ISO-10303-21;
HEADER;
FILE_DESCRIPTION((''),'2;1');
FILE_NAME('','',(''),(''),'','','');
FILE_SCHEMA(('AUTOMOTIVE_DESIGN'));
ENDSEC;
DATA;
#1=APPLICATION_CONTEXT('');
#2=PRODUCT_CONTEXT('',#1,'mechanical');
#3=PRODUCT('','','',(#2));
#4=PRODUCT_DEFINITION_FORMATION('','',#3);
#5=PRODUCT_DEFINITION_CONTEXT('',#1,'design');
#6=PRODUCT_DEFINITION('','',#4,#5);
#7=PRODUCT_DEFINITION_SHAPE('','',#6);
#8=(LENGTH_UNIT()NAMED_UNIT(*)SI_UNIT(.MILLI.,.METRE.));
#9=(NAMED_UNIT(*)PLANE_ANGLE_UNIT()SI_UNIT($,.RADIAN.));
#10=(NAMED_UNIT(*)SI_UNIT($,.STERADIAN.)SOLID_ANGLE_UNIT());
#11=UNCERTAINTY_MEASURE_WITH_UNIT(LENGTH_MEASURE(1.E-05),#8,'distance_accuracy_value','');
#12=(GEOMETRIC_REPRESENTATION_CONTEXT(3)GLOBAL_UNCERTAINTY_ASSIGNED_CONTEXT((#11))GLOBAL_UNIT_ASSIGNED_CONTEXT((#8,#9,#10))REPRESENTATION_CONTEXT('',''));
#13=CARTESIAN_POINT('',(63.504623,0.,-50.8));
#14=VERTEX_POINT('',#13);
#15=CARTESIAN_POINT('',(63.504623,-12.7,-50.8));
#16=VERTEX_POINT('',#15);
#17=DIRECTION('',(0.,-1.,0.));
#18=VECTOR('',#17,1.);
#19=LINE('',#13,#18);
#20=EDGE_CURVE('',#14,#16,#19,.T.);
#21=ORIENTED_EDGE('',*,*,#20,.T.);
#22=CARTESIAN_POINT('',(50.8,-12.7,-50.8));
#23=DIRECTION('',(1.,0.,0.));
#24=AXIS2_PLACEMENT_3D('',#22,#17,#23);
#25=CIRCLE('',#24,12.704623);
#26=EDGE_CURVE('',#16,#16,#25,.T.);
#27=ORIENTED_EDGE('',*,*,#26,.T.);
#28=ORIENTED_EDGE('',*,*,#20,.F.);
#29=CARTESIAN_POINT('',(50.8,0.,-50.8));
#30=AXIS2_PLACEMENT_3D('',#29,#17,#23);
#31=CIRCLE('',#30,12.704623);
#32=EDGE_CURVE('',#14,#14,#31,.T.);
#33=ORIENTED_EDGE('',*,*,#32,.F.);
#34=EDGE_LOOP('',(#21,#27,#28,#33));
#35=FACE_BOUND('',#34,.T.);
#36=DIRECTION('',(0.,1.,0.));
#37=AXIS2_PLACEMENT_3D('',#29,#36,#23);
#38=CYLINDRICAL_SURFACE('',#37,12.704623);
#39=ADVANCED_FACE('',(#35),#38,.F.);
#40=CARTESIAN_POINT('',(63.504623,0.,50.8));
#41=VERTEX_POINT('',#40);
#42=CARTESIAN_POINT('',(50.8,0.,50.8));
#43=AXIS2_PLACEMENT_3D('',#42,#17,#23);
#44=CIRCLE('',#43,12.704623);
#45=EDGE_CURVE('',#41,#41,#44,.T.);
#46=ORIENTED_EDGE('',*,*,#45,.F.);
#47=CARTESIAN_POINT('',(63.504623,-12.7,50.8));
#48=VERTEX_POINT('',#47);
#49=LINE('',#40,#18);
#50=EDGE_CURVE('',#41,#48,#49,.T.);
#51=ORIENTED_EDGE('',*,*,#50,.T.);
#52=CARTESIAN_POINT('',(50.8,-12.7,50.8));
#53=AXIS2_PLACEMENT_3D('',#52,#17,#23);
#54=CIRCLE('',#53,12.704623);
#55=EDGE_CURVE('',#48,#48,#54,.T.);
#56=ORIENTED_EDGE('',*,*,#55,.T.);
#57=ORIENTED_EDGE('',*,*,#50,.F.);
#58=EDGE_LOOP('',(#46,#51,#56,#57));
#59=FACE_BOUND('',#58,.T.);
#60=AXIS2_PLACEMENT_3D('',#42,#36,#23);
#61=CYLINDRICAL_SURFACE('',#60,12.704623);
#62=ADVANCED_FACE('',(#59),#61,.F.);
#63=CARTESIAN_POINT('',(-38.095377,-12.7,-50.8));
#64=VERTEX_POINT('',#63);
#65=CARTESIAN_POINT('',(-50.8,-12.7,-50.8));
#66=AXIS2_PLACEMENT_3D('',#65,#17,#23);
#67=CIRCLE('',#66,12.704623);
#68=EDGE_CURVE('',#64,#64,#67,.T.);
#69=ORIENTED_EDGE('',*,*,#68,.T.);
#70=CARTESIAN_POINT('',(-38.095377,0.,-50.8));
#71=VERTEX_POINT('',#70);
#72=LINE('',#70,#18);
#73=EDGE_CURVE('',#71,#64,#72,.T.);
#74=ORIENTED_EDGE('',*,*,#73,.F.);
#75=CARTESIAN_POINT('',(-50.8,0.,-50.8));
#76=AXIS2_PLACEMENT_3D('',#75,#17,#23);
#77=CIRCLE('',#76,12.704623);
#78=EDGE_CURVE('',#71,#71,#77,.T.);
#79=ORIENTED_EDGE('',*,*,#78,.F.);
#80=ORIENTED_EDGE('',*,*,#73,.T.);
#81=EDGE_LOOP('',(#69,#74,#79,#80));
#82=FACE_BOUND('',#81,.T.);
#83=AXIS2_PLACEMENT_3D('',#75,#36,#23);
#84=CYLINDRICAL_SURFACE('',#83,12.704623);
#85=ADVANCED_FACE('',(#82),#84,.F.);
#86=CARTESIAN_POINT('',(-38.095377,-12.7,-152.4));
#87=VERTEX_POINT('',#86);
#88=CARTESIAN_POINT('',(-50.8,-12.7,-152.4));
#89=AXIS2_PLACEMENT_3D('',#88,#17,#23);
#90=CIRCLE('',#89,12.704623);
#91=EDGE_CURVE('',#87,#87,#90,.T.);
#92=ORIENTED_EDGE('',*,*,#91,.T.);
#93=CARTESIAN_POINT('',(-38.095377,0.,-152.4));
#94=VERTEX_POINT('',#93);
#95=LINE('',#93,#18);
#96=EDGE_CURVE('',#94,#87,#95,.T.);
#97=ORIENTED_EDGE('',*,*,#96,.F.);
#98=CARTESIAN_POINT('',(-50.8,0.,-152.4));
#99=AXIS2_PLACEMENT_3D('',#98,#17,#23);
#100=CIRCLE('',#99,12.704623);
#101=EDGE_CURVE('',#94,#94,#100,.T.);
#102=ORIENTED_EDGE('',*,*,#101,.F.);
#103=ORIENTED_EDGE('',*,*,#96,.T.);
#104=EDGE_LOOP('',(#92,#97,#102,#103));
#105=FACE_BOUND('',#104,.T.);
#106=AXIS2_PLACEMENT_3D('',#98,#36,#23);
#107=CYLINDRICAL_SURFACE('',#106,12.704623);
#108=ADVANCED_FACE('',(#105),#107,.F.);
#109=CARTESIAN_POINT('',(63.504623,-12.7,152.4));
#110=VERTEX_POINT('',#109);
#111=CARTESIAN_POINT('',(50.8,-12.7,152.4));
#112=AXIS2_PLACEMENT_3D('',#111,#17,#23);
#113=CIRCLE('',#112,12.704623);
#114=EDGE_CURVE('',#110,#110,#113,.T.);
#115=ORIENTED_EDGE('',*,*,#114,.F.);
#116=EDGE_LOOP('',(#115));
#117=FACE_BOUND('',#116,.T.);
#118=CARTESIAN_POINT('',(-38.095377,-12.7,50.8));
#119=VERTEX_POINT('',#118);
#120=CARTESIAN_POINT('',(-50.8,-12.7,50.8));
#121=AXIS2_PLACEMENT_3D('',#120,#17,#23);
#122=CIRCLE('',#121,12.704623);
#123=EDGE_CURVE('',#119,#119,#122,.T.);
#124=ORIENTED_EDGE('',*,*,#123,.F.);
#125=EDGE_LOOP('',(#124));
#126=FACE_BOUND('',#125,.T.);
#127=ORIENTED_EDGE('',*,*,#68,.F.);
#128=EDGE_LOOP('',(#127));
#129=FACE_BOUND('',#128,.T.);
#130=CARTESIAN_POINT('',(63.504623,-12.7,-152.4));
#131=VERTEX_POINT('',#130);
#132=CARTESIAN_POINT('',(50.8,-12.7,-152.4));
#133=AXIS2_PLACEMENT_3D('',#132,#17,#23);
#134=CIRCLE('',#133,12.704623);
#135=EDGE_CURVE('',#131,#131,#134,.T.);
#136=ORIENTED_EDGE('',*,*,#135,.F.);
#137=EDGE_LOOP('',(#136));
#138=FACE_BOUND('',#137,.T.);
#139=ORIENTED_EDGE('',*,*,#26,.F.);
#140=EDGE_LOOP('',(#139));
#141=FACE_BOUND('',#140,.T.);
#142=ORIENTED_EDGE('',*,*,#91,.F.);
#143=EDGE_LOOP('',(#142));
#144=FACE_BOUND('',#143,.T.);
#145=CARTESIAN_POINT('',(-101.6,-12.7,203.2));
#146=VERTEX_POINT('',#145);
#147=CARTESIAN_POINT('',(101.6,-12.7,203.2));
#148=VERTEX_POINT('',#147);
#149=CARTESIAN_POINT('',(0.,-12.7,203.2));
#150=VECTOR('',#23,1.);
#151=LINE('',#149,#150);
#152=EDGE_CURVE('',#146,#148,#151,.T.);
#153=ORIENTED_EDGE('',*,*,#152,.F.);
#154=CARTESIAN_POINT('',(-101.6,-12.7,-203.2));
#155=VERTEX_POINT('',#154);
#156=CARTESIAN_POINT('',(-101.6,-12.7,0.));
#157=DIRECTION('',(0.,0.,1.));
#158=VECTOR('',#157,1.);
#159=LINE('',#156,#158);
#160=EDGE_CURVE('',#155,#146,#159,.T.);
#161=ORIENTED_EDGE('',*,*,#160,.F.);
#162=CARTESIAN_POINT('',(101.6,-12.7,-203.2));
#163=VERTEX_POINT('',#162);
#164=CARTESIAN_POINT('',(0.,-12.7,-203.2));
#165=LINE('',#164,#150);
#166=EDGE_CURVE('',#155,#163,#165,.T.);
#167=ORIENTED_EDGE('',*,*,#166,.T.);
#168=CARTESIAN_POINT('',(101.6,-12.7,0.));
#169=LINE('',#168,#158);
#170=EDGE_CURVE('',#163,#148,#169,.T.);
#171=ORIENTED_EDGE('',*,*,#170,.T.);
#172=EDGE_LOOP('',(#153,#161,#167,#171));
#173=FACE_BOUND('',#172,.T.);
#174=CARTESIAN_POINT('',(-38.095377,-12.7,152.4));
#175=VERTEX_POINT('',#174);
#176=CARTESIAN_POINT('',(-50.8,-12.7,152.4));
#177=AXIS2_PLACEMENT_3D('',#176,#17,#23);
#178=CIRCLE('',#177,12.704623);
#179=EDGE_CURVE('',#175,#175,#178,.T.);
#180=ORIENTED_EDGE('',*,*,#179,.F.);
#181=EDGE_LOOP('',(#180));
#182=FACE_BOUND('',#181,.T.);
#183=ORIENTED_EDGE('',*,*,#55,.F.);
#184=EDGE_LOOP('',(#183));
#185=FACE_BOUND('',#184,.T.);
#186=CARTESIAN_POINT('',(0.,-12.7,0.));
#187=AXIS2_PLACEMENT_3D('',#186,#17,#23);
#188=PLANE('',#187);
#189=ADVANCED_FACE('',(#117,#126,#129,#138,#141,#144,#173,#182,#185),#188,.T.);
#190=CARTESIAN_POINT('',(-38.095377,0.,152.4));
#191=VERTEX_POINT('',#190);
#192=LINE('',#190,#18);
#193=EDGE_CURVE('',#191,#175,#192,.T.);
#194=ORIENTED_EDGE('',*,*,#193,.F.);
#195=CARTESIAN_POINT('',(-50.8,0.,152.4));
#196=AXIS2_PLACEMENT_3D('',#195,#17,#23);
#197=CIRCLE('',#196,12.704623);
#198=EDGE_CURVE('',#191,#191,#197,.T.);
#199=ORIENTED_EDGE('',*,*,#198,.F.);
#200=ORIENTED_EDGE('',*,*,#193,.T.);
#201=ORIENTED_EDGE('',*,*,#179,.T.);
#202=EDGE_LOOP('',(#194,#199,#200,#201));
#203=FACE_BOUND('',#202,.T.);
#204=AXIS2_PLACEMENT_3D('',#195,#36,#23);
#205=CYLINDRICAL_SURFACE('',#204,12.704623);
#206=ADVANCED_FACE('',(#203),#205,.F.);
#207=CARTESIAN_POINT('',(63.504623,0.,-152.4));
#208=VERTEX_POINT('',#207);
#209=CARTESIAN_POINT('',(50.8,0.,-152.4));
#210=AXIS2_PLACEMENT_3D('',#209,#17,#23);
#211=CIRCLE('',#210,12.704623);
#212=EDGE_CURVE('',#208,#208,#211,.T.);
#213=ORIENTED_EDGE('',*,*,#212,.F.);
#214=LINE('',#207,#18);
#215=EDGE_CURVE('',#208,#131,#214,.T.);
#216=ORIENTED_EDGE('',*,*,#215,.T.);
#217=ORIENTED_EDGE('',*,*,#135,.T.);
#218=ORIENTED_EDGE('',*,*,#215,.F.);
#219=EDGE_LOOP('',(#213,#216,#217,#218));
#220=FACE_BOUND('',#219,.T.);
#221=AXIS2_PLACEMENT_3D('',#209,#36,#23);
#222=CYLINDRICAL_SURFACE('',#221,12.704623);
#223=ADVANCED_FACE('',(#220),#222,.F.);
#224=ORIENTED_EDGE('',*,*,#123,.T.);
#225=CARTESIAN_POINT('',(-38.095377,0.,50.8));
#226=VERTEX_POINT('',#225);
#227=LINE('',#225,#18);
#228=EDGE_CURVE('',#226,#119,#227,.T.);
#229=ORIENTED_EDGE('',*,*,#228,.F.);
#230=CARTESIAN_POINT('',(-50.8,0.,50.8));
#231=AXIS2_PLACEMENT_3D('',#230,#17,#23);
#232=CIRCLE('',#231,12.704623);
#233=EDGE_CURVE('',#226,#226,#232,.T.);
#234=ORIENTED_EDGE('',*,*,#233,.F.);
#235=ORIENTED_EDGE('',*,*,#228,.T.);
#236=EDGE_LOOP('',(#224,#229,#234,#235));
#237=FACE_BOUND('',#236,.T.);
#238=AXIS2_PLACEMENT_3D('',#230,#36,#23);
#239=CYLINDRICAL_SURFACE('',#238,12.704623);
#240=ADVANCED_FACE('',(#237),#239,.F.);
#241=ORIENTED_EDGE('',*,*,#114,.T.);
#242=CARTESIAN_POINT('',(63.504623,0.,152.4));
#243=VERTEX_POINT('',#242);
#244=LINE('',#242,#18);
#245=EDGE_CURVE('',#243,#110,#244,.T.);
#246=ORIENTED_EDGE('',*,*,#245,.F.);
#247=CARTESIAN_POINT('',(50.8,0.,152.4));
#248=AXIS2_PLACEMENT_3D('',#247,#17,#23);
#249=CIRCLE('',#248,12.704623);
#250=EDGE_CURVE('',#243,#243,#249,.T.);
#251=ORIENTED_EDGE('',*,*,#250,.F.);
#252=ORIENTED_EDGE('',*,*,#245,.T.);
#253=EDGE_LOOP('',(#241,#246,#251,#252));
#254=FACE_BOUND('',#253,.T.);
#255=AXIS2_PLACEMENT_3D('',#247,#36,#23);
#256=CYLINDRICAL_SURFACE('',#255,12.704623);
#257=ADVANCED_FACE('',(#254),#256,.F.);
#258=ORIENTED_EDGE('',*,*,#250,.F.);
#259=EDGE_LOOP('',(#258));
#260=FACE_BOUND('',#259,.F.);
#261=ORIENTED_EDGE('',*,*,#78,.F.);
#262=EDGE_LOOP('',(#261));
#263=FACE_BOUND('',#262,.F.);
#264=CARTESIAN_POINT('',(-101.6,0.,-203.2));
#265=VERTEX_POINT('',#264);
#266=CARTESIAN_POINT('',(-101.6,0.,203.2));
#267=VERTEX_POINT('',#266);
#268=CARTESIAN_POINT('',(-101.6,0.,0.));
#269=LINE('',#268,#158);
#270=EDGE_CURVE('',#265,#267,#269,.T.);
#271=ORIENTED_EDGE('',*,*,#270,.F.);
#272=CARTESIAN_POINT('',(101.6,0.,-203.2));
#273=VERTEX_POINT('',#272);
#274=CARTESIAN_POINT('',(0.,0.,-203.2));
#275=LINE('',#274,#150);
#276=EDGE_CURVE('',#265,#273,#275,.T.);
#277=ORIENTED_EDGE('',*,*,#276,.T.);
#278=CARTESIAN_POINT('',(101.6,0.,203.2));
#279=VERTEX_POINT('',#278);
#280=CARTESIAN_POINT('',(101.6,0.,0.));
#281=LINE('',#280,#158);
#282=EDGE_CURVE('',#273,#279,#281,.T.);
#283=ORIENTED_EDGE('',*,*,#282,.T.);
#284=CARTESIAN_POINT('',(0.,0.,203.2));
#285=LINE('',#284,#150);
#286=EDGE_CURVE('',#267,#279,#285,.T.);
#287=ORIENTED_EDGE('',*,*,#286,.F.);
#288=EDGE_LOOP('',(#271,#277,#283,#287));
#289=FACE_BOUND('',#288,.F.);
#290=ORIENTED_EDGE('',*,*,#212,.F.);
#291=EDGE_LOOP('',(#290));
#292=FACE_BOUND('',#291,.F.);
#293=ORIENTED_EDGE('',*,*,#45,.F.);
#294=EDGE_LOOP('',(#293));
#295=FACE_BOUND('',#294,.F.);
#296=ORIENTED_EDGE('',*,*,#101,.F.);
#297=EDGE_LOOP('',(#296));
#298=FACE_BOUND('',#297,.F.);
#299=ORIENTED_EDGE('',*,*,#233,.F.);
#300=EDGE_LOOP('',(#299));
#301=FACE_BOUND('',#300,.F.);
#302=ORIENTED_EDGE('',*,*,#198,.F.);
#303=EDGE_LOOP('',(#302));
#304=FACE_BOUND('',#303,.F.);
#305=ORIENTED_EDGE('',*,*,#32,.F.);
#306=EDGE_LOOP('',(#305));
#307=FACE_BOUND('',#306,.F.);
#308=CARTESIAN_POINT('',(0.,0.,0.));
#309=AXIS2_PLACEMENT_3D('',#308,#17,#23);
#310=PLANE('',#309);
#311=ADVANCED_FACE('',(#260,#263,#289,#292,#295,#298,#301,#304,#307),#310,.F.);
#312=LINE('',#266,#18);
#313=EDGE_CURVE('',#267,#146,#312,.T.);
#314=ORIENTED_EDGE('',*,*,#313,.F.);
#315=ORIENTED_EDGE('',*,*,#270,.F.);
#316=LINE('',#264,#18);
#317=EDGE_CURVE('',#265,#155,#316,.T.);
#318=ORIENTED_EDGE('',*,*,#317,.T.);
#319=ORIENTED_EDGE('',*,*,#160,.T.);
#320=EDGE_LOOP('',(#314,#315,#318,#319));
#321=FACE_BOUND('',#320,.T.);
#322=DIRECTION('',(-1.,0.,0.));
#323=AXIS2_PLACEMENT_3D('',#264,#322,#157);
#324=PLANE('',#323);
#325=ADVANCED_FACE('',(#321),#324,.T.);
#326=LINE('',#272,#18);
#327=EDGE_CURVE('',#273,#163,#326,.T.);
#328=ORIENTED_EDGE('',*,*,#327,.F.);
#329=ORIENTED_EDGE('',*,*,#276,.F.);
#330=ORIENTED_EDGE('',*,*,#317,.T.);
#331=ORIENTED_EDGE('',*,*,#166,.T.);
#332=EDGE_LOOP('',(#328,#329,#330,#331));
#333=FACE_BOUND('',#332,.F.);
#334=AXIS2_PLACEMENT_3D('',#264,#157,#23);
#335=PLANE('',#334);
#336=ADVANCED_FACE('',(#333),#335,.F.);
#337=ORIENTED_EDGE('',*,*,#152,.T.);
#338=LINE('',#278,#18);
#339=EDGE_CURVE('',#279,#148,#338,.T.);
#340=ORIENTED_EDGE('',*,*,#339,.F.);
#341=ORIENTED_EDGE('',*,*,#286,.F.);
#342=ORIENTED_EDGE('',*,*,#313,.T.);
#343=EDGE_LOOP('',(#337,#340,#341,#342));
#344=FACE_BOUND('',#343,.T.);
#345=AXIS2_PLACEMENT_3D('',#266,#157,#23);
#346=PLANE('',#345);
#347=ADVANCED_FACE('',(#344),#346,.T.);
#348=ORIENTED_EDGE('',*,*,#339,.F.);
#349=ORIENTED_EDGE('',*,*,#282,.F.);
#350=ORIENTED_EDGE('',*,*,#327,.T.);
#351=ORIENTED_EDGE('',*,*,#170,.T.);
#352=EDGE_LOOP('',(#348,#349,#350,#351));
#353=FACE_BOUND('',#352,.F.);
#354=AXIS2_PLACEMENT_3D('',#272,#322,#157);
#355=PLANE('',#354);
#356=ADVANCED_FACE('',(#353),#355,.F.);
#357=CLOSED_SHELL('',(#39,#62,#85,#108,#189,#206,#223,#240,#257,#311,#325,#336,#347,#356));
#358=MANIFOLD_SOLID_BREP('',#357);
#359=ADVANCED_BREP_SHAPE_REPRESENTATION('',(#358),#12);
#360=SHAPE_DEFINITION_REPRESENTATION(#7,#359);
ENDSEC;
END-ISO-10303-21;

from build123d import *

# Parameters (mm, degrees)
SKETCH_W  = 203.2
SKETCH_H  = 406.4
SKETCH_R  = 12.704623
PAD_DEPTH = 12.7


with BuildPart() as part:
    # Sketch → Pad (new body)
    with BuildSketch(Plane.XZ):
        Rectangle(SKETCH_W, SKETCH_H)
        with Locations((-50.8, -152.4)):
            Circle(SKETCH_R, mode=Mode.SUBTRACT)
        with Locations((-50.8, -50.8)):
            Circle(SKETCH_R, mode=Mode.SUBTRACT)
        with Locations((50.8, -50.8)):
            Circle(SKETCH_R, mode=Mode.SUBTRACT)
        with Locations((-50.8, 50.8)):
            Circle(SKETCH_R, mode=Mode.SUBTRACT)
        with Locations((50.8, 50.8)):
            Circle(SKETCH_R, mode=Mode.SUBTRACT)
        with Locations((-50.8, 152.4)):
            Circle(SKETCH_R, mode=Mode.SUBTRACT)
        with Locations((50.8, 152.4)):
            Circle(SKETCH_R, mode=Mode.SUBTRACT)
        with Locations((50.8, -152.4)):
            Circle(SKETCH_R, mode=Mode.SUBTRACT)
    extrude(amount=PAD_DEPTH)


solid = part.part
